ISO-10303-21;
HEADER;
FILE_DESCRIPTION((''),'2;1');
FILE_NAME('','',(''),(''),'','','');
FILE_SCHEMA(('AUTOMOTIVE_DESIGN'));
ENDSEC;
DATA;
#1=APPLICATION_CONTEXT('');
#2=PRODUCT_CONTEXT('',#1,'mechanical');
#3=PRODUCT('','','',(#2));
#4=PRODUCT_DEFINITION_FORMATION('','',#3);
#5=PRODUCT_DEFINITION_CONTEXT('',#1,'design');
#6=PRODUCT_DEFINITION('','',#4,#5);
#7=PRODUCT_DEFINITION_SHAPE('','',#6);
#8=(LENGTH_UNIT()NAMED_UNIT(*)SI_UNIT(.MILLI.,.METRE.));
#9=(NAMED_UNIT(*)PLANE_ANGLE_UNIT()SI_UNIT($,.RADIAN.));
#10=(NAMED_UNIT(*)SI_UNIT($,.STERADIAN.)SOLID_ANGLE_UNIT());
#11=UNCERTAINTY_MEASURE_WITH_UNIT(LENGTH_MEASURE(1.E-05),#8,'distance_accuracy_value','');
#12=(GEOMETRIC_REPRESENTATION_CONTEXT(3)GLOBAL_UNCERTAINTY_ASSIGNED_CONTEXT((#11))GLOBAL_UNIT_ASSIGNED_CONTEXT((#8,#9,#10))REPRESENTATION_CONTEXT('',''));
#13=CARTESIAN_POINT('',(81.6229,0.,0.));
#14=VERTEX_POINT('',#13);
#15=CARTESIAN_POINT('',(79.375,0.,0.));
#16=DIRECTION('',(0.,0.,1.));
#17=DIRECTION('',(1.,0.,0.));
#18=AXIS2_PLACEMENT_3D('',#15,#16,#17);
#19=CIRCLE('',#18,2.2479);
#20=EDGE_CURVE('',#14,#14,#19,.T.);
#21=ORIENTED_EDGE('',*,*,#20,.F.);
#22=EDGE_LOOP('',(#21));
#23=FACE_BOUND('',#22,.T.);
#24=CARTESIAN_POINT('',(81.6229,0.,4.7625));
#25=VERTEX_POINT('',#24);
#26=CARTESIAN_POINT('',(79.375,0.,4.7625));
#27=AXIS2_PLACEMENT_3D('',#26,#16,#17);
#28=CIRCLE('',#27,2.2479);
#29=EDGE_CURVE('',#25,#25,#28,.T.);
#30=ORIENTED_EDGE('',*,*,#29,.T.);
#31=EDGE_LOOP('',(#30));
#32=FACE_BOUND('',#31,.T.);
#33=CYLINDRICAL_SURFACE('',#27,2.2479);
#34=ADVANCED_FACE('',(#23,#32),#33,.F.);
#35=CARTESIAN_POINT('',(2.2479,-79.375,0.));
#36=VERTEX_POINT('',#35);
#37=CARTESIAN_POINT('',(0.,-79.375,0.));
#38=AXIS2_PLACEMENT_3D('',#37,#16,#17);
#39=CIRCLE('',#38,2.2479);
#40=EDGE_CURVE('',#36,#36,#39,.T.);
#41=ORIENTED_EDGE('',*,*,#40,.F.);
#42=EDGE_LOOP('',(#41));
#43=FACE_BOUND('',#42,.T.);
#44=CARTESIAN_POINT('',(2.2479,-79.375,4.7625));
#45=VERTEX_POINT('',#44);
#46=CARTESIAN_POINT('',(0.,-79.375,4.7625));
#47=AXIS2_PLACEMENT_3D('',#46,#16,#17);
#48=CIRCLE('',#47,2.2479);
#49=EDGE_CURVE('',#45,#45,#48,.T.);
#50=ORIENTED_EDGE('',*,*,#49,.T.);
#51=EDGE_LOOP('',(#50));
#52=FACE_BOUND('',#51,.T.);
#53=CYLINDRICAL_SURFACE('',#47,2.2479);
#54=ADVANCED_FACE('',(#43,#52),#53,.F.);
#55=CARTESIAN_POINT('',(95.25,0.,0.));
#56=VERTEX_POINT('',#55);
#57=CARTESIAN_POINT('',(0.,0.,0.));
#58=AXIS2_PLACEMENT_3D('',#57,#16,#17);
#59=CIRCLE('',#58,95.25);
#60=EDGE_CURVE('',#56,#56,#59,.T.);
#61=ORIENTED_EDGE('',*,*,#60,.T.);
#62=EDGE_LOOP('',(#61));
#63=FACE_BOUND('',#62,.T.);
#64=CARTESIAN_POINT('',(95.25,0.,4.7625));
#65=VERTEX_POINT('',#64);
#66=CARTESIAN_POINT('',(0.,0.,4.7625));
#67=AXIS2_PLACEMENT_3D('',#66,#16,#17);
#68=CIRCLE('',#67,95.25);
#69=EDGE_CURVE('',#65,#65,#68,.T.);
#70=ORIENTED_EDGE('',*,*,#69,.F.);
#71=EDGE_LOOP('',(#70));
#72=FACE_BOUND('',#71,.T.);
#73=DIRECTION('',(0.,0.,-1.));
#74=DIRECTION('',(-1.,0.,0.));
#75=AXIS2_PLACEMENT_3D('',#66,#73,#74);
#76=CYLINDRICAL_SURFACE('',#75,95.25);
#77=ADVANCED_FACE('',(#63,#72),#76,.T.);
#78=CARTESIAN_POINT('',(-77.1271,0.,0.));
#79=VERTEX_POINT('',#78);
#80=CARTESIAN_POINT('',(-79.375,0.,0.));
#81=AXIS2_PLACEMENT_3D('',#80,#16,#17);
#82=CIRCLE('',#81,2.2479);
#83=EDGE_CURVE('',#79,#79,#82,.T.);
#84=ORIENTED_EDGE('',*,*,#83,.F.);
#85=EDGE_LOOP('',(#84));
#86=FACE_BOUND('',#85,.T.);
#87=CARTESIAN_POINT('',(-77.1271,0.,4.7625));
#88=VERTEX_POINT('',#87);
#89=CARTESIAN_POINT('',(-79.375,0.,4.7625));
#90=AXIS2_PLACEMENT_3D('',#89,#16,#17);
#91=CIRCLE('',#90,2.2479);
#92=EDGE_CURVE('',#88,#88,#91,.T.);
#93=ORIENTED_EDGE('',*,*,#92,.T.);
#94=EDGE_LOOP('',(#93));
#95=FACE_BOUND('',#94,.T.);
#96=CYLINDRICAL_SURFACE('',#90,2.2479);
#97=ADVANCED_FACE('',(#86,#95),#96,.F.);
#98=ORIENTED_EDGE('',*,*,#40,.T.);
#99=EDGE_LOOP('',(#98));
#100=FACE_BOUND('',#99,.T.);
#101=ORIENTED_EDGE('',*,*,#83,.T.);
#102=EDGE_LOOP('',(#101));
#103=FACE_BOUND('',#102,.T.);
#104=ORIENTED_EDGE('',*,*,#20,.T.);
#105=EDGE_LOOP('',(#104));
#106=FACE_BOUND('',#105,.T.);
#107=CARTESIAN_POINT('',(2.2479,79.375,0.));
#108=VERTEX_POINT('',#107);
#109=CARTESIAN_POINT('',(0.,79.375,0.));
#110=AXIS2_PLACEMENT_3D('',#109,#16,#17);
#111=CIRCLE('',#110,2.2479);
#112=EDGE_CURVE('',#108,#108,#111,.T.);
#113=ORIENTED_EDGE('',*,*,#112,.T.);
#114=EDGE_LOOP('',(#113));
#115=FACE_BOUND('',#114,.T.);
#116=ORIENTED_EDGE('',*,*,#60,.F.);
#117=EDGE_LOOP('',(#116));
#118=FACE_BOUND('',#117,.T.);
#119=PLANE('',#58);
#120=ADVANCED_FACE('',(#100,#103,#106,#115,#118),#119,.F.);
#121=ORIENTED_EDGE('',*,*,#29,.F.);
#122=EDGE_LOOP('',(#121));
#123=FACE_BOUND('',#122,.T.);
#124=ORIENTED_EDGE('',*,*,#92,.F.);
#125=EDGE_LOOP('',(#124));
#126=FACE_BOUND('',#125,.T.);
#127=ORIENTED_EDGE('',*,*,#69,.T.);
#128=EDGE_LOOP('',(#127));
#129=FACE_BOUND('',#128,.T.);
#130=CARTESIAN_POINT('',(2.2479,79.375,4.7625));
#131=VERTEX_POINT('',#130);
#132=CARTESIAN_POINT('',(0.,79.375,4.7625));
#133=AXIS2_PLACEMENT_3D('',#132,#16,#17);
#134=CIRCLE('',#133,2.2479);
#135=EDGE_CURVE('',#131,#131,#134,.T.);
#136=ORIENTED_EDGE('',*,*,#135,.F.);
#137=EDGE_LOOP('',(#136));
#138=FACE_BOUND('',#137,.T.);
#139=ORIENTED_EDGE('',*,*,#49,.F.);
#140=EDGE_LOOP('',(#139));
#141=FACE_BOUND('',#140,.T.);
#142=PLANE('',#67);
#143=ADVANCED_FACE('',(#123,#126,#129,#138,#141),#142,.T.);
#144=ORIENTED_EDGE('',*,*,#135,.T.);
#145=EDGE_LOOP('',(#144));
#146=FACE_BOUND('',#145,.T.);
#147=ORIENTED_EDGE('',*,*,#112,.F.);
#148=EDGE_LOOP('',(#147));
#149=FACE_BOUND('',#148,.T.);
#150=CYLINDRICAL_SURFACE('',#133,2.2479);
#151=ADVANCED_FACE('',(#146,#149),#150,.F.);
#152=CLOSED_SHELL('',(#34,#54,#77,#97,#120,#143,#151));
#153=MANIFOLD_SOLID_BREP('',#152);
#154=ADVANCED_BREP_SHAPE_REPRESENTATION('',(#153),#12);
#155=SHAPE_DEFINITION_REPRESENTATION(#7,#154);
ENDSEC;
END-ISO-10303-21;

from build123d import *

# Parameters (mm, degrees)
SKETCH1_R                  = 95.25
BOSS_EXTRUDE1_DEPTH        = 4.7625
F_12_24_TAPPED_HOLE1_D     = 4.4958
F_12_24_TAPPED_HOLE1_DEPTH = 14.224


with BuildPart() as part:
    # Sketch1 → Boss-Extrude1 (new body)
    with BuildSketch(Plane.XY):
        Circle(SKETCH1_R)
    extrude(amount=BOSS_EXTRUDE1_DEPTH)

    # #12-24 Tapped Hole1
    with Locations(Plane.XY.offset(4.7625)):
        with Locations((0, 79.375), (-79.375, 0), (79.375, 0), (0, -79.375)):
            Hole(F_12_24_TAPPED_HOLE1_D / 2, depth=F_12_24_TAPPED_HOLE1_DEPTH)


solid = part.part
